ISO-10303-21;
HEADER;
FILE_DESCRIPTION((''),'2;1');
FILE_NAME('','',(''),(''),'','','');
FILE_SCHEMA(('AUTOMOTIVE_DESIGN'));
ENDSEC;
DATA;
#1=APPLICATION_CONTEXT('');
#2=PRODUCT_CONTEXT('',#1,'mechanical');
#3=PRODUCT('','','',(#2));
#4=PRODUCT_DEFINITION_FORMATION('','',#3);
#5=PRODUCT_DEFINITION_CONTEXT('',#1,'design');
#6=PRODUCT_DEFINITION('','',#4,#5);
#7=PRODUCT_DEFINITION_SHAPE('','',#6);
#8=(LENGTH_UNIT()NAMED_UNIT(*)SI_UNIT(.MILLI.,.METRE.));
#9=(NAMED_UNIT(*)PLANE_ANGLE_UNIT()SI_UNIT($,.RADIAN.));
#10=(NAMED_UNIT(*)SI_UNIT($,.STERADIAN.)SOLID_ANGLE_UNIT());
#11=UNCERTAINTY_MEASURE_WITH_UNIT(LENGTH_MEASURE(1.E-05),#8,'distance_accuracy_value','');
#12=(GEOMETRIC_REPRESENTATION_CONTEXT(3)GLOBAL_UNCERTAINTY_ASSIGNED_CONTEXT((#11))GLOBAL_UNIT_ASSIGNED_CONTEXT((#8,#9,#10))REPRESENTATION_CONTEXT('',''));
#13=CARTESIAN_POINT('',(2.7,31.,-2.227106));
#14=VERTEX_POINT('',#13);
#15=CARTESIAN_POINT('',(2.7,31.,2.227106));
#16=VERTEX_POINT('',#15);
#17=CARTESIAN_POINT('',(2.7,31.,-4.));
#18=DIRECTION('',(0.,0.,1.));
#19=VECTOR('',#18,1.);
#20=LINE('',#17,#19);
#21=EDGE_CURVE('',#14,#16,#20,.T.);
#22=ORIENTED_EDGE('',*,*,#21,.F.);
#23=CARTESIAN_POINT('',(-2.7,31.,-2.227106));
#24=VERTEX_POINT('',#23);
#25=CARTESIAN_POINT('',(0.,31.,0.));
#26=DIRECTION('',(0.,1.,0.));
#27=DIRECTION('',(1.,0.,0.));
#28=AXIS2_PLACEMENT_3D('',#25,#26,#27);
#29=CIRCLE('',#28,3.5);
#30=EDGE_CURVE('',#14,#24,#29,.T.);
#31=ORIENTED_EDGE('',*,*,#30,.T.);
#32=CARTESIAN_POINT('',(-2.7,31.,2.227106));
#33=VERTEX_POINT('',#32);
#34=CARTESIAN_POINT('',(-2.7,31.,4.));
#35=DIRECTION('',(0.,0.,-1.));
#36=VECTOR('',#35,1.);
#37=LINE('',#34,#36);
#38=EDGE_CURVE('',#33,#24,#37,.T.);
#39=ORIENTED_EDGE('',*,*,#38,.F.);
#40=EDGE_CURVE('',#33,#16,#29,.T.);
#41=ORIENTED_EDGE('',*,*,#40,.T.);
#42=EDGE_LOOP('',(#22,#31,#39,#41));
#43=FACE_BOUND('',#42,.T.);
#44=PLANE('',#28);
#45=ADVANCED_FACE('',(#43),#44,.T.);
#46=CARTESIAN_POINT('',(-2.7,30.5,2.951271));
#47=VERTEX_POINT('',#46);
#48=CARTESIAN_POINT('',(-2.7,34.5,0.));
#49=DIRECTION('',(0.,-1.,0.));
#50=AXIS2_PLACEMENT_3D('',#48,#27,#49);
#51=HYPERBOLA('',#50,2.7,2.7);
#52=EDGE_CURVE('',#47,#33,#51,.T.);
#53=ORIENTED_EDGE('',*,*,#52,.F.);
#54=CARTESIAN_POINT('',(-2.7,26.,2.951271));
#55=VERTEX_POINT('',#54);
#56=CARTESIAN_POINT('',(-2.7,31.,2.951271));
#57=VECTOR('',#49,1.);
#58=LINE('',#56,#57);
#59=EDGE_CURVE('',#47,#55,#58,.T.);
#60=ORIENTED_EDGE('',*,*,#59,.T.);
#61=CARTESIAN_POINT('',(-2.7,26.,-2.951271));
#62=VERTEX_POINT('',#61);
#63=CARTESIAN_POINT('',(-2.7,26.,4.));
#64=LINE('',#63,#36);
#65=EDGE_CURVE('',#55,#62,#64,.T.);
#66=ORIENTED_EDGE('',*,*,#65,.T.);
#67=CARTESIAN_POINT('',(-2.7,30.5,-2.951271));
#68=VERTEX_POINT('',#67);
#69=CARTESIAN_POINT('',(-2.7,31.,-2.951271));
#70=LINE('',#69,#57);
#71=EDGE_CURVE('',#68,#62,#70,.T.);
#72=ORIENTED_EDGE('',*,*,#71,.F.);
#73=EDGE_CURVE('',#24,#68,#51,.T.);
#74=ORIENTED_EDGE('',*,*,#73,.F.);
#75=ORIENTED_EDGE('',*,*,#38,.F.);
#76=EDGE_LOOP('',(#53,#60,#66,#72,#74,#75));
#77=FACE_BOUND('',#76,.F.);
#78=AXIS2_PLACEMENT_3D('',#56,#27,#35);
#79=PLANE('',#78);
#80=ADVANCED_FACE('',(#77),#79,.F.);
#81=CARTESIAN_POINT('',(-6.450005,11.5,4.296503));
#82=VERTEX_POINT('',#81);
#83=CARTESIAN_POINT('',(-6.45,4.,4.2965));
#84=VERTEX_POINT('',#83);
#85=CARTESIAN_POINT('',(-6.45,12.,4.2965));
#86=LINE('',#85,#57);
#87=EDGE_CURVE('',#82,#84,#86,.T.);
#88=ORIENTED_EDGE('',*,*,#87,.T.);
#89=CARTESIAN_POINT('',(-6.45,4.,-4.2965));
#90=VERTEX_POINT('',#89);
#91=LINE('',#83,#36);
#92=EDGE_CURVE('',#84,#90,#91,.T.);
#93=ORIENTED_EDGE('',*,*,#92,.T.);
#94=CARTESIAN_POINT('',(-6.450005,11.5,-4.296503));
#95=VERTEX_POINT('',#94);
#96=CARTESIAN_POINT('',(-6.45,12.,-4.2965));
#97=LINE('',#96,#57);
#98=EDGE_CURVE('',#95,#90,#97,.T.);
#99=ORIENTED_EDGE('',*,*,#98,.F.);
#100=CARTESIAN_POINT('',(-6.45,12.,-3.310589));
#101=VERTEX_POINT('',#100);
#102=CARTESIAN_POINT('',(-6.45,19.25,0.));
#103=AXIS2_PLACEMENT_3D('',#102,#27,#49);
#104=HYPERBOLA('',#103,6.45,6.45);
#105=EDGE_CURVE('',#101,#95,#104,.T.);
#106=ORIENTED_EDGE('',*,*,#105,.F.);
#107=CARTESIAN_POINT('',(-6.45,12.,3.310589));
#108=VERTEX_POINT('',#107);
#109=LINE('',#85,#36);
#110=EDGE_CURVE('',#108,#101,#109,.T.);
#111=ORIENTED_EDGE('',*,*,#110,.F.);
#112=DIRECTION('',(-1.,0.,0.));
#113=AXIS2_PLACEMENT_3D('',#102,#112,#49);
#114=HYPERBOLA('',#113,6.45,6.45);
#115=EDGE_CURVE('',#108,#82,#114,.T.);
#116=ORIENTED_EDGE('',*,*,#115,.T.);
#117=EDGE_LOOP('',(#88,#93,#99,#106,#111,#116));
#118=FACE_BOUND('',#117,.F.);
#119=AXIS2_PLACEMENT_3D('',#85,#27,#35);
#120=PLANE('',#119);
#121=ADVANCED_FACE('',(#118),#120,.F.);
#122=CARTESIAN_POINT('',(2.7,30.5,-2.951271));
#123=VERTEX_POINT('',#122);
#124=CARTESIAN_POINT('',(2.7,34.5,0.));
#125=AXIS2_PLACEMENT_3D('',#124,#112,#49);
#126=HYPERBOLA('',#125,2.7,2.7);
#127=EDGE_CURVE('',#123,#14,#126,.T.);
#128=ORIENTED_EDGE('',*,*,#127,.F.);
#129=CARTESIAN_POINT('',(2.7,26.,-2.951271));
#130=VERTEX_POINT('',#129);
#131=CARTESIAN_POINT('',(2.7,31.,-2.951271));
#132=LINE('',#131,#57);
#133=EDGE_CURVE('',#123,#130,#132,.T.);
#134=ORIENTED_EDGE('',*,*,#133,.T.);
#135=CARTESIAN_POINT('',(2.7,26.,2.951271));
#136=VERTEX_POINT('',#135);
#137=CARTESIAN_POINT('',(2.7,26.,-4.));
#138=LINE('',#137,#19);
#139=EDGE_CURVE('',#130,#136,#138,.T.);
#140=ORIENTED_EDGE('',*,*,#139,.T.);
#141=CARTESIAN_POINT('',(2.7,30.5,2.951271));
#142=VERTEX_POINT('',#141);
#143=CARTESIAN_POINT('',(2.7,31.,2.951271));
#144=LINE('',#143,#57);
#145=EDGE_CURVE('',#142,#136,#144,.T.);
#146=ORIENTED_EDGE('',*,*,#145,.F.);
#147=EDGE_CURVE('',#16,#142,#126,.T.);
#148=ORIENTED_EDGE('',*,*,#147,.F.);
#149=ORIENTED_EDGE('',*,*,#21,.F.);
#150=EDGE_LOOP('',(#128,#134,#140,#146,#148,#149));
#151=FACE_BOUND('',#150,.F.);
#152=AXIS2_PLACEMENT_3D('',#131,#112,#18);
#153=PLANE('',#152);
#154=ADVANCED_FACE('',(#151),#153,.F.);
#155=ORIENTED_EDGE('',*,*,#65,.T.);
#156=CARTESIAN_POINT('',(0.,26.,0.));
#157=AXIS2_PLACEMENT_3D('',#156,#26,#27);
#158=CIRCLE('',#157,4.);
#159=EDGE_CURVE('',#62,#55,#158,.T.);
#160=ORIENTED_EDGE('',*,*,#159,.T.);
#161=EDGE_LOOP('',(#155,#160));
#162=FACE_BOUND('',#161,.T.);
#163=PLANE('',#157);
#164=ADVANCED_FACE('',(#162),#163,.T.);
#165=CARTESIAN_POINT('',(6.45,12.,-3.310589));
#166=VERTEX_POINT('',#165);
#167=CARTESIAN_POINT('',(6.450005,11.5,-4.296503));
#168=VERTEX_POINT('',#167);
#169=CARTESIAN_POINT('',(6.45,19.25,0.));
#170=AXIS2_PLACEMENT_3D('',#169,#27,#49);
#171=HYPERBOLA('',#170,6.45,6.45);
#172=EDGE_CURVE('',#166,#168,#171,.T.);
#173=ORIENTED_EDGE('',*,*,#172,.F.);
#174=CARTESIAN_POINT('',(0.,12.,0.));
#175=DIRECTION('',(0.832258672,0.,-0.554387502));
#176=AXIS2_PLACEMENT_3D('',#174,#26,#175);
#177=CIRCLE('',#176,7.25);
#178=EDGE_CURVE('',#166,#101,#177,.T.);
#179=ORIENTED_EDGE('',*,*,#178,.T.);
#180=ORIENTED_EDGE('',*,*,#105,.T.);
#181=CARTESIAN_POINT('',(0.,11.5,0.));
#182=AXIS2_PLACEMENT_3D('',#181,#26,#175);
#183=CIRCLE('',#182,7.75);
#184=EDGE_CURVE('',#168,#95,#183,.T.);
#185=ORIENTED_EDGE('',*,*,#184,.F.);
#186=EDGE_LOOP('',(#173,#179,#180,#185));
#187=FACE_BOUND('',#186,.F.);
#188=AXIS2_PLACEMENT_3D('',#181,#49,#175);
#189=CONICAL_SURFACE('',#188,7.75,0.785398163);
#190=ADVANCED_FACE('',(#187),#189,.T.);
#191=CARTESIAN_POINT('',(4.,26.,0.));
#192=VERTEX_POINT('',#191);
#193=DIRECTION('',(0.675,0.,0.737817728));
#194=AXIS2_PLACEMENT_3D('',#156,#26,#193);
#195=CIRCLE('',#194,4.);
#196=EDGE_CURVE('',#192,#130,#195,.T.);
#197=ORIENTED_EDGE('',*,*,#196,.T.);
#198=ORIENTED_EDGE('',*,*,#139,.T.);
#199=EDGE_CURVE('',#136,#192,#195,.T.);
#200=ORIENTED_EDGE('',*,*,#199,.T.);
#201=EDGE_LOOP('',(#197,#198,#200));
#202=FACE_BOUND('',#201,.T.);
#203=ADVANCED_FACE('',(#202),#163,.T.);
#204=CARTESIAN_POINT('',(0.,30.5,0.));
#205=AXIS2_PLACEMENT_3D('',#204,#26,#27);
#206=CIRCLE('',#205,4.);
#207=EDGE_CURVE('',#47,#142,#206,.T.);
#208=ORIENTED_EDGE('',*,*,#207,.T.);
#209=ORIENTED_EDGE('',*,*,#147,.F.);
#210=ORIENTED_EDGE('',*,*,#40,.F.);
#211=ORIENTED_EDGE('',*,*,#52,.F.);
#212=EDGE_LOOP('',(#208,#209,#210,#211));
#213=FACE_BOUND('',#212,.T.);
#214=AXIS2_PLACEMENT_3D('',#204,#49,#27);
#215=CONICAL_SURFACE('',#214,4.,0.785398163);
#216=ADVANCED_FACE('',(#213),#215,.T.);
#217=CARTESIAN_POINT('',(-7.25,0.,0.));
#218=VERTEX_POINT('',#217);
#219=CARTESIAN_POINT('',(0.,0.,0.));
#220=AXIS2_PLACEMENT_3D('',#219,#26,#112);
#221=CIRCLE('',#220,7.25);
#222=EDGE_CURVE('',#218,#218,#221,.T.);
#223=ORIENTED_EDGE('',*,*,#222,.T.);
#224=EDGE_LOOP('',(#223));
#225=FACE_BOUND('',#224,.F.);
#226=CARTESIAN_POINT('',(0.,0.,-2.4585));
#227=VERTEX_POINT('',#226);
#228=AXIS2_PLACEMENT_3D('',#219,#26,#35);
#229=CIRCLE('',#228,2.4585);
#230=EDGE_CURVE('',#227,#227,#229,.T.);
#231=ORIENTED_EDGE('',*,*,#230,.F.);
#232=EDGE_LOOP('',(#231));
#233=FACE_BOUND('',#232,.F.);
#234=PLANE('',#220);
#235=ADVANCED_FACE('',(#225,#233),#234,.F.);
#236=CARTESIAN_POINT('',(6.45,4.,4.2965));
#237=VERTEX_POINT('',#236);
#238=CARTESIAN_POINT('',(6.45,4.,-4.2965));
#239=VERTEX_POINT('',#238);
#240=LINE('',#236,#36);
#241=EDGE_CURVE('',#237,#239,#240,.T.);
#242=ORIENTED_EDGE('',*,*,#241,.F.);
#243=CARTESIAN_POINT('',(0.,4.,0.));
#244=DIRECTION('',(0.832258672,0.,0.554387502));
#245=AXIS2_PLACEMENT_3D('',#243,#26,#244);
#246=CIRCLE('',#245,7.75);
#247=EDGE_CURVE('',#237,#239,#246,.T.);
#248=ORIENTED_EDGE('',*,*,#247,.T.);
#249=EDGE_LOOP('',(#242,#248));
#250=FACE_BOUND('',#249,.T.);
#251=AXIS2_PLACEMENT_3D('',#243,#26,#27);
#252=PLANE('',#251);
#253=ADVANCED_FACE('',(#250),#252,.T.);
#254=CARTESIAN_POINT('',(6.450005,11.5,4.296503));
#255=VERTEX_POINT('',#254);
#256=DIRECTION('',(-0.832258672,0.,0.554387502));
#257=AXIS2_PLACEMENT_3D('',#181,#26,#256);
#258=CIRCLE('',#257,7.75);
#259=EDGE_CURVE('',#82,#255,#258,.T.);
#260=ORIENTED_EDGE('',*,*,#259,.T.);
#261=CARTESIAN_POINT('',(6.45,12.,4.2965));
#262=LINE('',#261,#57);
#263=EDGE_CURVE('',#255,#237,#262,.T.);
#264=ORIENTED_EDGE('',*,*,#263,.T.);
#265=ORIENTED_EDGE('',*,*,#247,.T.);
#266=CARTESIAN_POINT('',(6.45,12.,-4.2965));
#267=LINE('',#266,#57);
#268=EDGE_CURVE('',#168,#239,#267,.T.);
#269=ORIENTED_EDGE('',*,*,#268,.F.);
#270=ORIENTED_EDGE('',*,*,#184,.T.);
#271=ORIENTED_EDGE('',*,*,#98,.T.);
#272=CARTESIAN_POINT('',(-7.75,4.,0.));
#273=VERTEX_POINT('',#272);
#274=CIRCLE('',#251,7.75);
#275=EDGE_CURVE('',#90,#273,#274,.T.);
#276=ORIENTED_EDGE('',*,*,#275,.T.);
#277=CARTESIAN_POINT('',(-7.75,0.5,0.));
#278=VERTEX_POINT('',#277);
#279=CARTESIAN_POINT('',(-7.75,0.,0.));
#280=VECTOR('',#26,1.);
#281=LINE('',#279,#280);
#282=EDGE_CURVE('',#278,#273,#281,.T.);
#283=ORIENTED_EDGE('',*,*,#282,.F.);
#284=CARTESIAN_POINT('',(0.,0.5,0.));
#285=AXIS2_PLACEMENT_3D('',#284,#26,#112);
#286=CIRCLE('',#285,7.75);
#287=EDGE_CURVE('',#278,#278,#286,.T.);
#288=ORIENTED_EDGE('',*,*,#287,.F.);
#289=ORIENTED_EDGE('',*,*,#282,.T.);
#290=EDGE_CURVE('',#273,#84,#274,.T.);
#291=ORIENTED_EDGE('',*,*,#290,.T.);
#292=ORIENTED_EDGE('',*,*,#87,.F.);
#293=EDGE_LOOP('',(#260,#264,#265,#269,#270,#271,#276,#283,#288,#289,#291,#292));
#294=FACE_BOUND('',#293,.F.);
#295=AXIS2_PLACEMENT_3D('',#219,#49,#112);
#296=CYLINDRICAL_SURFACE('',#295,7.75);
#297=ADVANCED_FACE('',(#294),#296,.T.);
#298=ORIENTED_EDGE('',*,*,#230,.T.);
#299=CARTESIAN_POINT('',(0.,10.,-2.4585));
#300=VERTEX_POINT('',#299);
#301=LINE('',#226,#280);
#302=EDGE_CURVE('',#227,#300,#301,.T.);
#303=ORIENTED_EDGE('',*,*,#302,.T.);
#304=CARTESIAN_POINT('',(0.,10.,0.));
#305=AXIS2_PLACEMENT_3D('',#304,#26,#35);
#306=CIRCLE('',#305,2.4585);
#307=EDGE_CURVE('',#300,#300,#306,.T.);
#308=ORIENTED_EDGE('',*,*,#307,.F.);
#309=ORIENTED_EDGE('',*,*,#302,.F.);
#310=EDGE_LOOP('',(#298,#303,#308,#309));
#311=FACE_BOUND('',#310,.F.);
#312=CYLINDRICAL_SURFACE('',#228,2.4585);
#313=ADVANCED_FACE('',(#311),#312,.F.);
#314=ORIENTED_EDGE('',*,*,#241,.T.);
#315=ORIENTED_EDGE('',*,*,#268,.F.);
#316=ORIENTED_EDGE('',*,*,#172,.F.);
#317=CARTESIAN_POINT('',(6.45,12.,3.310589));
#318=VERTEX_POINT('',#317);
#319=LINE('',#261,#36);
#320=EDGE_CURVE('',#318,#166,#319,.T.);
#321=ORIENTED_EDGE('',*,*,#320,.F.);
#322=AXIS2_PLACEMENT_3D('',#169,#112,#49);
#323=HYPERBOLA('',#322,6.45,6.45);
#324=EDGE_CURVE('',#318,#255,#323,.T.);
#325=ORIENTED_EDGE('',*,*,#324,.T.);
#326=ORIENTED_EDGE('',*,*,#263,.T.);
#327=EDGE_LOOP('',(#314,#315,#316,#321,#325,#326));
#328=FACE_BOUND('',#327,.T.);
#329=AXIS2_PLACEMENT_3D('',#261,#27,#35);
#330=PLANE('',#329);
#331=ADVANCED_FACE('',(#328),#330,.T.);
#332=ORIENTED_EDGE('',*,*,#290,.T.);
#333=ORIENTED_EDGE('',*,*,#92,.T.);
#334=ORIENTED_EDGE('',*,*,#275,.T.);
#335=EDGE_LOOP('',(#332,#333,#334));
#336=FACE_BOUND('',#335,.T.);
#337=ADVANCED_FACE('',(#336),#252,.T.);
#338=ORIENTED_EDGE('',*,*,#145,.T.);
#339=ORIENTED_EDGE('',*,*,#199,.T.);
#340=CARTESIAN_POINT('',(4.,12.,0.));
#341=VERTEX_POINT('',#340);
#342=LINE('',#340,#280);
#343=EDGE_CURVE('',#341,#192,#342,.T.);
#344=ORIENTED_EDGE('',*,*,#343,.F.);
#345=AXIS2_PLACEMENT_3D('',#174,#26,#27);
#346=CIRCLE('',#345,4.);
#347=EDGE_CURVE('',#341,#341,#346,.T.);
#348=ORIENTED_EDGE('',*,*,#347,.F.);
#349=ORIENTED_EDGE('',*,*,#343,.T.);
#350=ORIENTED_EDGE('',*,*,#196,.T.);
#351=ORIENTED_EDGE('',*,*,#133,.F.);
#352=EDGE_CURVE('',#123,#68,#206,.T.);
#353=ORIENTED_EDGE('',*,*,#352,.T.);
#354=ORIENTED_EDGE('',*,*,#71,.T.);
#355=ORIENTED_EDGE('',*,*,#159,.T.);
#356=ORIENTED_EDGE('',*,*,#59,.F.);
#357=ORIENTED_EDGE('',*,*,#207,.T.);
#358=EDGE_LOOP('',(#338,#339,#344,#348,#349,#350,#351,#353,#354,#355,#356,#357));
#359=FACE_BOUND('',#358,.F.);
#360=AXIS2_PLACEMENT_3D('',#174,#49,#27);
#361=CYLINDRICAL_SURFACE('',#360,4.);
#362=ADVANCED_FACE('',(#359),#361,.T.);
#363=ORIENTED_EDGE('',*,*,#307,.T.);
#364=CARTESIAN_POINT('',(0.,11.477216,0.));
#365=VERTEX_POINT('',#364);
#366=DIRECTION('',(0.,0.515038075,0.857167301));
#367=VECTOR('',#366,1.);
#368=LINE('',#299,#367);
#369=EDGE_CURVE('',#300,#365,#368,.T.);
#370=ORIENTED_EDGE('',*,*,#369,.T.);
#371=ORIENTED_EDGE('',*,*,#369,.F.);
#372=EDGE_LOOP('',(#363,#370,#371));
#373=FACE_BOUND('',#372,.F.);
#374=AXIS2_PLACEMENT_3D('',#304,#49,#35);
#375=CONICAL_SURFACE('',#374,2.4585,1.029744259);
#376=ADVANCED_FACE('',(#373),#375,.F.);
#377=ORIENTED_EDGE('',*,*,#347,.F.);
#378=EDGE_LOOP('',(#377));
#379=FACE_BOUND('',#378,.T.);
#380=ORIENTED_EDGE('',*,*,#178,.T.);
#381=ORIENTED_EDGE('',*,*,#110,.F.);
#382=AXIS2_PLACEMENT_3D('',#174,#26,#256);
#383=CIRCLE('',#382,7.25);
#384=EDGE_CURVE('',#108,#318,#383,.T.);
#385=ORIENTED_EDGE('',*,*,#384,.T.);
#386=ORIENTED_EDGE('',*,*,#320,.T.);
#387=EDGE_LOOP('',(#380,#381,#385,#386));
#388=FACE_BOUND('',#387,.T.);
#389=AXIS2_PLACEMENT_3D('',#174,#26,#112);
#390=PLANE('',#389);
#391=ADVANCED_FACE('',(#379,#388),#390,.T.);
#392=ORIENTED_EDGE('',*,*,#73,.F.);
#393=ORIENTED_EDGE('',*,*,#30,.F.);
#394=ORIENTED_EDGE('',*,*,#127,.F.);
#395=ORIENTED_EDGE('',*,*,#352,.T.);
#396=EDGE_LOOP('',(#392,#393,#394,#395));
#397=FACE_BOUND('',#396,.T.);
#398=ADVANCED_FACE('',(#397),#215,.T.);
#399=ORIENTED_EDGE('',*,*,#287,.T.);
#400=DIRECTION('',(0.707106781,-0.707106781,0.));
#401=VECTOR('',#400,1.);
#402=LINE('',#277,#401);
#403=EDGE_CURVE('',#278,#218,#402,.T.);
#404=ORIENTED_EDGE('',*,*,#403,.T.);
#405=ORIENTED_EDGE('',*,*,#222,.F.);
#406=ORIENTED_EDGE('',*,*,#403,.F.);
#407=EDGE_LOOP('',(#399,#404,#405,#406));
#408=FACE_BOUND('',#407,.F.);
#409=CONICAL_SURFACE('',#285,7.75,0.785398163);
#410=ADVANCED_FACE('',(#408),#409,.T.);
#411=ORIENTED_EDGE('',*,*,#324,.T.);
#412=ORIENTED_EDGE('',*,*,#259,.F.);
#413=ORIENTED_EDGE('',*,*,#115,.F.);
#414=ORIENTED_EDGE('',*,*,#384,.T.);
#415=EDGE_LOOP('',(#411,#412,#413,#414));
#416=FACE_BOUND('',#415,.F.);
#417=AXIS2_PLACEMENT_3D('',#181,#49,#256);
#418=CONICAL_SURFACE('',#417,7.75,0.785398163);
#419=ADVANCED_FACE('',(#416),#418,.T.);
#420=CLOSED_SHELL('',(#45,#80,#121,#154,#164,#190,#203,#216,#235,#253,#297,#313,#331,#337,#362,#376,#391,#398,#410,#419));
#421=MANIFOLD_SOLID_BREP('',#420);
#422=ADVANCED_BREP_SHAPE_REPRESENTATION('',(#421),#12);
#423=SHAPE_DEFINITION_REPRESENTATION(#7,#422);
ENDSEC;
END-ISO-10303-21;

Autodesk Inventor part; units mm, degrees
ref_plane "YZ Plane" through (0, 0, 0) normal (1, 0, 0) x (0, 1, 0)
ref_plane "XZ Plane" through (0, 0, 0) normal (0, 1, 0) x (-1, 0, 0)
ref_plane "XY Plane" through (0, 0, 0) normal (0, 0, 1) x (1, 0, 0)
sketch "Sketch1" plane through (0, 0, 0) normal (0, 1, 0) x (-1, 0, 0)
  circle A0 centre (0, 0) radius 7.75
  dimension "d0" = 15.5
extrude "Extrusion1" add sketch "Sketch1" along normal blind 12
sketch "Sketch2" plane through (0, 12, 0) normal (0, 1, 0) x (1, 0, 0)
  circle A0 centre (0, 0) radius 7.75 projected
  circle A1 centre (0, 0) radius 7.75 projected
  line L0 (-6.45, -4.2965) -> (-6.45, 4.2965)
  line L1 (6.45, -4.2965) -> (6.45, 4.2965)
  line L2 (0, -12.5996) -> (0, 16.4995) construction
  dimension "d3" = 12.9
extrude "Extrusion2" cut sketch "Sketch2" against normal blind 8 contours A0 L1 | L0 A0
sketch "Sketch3" plane through (0, 12, 0) normal (0, 1, 0) x (1, 0, 0)
  circle A0 centre (0, 0) radius 4
  dimension "d6" = 8
extrude "Extrusion3" add sketch "Sketch3" along normal blind 19
chamfer "Chamfer1" distance 0.5 angle 45 1 edges at (-4, 31, 0)
thread "Thread1" size "M8x1.25" class "6g" standard "ANSI Metric M Profile" length 16
chamfer "Chamfer2" distance 0.5 angle 45 3 edges at (0, 12, 7.75) (0, 12, -7.75) (7.75, 0, 0)
sketch "Sketch4" plane through (0, 0, 0) normal (0, -1, 0) x (1, 0, 0)
  point P0 (0, 0)
  point P1 (0, 0)
hole "Hole1" at (0, 0, 0) direction (0, 1, 0) diameter 4.917 depth 10 tip angle 118 thread size "M6x1" class "6H" standard "ISO Metric profile"
sketch "Sketch6" plane through (0, 31, 0) normal (0, 1, 0) x (1, 0, 0)
  circle A0 centre (0, 0) radius 4 projected
  line L0 (2.7, -4) -> (-2.7, -4)
  line L1 (-2.7, -4) -> (-2.7, 4)
  line L2 (-2.7, 4) -> (2.7, 4)
  line L3 (2.7, 4) -> (2.7, -4)
  line L4 (2.7, -4) -> (-2.7, 4) construction
  line L5 (-2.7, -4) -> (2.7, 4) construction
  point P0 (-2.7, -2.9513)
  point P1 (-2.7, 2.9513)
  point P2 (2.7, 2.9513)
  point P3 (2.7, -2.9513)
  dimension "d27" = 5.4
extrude "Extrusion5" cut sketch "Sketch6" against normal blind 5 contours A0 L3 | L1 A0
properties part number "Box Fixing Stud"
